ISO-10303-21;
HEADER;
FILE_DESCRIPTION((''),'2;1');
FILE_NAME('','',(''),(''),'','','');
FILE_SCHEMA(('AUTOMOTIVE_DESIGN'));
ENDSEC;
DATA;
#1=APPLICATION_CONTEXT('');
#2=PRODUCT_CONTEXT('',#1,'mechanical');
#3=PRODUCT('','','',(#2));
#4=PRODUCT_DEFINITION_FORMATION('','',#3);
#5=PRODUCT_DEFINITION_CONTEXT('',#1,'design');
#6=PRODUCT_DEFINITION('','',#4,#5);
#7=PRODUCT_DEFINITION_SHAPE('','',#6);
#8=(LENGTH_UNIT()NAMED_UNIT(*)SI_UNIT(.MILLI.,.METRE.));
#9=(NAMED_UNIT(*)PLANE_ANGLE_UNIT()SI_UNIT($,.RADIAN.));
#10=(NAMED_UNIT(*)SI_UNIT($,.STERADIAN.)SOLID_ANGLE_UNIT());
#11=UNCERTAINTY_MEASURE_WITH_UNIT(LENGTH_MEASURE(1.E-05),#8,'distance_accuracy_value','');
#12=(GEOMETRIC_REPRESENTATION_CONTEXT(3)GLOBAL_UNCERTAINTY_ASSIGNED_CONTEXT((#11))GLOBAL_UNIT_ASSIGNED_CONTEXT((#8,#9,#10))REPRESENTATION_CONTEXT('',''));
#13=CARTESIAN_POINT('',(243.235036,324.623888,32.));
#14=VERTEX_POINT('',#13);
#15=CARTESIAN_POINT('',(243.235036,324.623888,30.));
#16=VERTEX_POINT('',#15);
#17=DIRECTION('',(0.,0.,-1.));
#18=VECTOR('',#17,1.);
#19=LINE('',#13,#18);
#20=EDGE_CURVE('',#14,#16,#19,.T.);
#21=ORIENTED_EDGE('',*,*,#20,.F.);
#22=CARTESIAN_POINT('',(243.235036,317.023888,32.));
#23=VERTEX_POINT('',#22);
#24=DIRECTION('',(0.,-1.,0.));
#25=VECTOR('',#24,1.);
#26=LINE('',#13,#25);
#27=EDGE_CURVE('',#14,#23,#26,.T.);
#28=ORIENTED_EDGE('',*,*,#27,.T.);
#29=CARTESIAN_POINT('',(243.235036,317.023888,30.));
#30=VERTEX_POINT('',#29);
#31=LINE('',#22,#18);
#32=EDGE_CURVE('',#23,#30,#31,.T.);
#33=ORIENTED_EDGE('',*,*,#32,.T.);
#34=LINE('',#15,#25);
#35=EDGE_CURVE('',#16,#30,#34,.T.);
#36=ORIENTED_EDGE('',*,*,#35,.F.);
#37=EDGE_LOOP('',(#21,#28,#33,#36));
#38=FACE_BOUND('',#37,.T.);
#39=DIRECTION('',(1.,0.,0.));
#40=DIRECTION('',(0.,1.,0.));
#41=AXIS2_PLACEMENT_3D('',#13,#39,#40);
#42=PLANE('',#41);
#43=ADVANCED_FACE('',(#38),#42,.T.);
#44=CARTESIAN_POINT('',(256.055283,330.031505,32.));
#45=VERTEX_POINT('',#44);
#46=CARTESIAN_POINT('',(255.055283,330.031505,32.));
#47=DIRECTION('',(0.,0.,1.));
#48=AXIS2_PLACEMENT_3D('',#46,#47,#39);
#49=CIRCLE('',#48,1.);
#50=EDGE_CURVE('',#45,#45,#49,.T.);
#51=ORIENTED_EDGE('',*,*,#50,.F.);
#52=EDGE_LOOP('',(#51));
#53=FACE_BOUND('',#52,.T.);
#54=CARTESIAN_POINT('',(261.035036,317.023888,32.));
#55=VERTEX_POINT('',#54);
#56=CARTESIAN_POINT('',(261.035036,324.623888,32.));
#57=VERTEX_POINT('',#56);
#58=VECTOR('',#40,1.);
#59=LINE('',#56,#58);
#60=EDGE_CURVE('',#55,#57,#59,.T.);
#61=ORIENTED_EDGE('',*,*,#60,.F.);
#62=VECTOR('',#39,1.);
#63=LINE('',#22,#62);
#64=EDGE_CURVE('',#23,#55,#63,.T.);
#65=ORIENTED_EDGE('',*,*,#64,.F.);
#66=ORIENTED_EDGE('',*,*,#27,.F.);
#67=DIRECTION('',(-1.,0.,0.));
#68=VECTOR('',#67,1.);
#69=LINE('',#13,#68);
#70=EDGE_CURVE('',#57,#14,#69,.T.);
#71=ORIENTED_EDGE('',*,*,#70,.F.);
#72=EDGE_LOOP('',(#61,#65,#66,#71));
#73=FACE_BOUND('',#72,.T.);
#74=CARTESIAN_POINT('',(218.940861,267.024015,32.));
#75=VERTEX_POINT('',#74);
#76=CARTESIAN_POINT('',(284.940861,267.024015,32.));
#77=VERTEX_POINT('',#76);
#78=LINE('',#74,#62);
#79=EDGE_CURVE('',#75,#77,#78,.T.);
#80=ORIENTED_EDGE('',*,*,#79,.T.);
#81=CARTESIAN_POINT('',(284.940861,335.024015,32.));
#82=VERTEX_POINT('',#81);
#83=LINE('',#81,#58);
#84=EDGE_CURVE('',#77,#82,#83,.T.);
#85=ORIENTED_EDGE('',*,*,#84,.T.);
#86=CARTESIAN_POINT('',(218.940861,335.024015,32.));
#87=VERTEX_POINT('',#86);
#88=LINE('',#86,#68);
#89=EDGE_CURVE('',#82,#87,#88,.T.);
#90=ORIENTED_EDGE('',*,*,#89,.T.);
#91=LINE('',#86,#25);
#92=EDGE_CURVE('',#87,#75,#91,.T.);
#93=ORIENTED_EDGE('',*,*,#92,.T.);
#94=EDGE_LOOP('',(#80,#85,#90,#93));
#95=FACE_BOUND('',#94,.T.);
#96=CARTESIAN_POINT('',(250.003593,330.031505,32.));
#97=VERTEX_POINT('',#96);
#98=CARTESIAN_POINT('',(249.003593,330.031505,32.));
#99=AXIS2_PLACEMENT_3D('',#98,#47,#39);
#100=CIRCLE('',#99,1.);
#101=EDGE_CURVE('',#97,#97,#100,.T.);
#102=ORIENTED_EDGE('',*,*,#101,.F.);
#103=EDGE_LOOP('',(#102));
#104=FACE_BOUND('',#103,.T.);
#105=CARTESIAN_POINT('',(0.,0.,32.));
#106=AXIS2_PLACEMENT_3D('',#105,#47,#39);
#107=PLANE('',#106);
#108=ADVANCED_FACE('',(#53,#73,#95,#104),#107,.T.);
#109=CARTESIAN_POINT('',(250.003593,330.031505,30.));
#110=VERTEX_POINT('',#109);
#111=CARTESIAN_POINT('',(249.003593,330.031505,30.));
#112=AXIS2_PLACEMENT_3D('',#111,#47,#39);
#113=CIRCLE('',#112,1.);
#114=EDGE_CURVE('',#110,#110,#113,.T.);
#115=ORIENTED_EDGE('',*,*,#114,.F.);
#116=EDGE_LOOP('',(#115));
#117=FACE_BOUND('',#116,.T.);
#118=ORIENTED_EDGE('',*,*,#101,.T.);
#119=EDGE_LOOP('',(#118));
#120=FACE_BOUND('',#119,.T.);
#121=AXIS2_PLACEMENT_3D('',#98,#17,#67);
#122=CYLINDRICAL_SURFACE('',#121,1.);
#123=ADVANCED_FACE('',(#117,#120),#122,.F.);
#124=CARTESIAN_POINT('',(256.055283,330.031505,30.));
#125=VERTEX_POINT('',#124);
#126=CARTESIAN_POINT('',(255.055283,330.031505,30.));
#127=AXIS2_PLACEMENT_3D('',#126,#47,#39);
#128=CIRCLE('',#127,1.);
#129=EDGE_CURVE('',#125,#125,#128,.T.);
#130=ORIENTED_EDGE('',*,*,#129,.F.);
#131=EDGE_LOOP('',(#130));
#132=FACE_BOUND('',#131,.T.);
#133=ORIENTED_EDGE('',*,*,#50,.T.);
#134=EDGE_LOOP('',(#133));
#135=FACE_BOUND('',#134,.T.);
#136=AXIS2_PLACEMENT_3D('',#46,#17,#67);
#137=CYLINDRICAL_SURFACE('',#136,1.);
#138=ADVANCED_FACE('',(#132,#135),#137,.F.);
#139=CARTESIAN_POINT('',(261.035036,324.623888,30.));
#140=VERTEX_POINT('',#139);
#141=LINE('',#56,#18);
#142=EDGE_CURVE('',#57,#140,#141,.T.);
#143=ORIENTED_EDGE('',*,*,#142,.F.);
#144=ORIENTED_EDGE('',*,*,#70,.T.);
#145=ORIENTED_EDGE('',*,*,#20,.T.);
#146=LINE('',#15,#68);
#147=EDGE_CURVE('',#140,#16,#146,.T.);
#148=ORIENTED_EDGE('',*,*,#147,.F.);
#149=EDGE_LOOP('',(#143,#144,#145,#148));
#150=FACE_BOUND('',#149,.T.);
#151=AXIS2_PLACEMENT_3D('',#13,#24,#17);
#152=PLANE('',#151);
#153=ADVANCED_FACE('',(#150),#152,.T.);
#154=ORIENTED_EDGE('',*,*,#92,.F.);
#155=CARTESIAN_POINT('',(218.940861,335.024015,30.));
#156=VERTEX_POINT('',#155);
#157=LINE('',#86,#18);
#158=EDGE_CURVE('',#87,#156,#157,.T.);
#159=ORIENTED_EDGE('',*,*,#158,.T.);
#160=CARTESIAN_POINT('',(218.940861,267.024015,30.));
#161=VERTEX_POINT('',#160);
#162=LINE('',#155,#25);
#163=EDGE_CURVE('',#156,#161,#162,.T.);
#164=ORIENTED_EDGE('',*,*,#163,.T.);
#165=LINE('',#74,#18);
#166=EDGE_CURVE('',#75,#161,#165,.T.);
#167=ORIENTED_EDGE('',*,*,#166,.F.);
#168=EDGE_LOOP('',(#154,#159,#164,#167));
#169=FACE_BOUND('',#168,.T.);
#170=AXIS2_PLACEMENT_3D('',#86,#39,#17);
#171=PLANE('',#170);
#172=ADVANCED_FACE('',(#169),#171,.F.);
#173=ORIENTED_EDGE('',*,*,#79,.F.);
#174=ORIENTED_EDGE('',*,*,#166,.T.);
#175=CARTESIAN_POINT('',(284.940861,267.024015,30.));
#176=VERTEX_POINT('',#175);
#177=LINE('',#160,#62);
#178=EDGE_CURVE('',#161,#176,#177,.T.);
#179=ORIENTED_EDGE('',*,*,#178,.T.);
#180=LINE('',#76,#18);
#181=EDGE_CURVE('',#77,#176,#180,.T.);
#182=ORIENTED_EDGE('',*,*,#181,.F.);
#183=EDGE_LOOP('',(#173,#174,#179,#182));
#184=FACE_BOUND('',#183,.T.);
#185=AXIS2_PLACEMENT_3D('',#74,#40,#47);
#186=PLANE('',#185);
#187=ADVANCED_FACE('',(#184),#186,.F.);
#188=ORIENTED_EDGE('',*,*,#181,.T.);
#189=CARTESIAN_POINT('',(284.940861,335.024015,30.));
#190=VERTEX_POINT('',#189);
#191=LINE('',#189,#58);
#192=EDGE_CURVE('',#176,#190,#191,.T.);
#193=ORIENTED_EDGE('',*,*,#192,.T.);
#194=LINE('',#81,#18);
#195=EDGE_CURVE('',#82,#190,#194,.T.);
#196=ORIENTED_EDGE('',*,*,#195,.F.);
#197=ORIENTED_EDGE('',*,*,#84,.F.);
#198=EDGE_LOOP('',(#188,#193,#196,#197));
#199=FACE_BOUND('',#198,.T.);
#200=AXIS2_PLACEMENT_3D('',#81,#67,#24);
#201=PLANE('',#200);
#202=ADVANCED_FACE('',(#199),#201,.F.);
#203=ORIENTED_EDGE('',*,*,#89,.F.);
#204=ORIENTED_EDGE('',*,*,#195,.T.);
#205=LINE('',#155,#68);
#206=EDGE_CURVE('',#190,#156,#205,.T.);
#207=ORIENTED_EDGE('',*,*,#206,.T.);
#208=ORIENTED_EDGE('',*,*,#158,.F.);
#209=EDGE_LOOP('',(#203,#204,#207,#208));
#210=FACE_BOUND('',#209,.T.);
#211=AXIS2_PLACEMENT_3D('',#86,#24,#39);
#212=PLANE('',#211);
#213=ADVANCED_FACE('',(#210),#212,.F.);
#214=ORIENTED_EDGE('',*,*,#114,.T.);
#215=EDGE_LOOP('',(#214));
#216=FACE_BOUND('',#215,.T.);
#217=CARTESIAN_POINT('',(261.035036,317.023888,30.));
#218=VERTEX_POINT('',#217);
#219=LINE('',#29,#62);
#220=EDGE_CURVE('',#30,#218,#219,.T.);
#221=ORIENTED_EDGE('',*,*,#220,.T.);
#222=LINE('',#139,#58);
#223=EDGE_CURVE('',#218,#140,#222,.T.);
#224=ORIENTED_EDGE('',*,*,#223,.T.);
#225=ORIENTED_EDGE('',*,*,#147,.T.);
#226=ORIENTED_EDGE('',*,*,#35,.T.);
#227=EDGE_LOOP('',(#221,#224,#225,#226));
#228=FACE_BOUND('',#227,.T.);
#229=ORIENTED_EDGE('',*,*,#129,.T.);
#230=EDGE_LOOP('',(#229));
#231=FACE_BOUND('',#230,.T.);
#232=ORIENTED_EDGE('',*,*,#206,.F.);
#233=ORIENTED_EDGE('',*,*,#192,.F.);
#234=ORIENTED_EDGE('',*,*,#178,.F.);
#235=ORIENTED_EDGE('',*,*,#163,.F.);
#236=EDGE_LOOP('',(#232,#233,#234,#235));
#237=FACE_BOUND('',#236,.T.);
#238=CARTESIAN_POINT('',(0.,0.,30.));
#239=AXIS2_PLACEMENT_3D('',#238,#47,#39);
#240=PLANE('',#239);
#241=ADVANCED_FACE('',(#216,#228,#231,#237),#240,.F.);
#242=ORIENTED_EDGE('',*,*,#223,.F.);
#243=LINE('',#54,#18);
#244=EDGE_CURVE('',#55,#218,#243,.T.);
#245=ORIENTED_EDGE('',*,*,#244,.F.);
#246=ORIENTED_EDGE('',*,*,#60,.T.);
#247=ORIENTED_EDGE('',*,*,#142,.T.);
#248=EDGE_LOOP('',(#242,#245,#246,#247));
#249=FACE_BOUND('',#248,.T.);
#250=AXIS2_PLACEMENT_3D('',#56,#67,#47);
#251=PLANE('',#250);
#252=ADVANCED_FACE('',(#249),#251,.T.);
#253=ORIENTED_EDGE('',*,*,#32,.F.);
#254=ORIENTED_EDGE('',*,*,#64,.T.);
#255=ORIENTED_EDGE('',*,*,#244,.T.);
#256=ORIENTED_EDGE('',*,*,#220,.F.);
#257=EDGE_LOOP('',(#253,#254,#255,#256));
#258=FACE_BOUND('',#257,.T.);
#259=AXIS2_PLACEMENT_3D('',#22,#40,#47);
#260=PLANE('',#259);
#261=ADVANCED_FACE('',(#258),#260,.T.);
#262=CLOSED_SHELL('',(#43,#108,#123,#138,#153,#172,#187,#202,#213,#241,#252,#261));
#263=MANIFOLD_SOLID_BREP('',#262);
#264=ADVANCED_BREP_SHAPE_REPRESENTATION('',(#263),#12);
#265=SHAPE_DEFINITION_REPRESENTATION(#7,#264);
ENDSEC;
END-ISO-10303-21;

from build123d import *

# Parameters (mm, degrees)
SKETCH1_W           = 66
SKETCH1_H           = 68
SKETCH1_R           = 1
SKETCH1_W_2         = 17.8
SKETCH1_H_2         = 7.6
BOSS_EXTRUDE1_DEPTH = 2


with BuildPart() as part:
    # Sketch1 → Boss-Extrude1 (new body)
    with BuildSketch(Plane.XY.offset(30)):
        with Locations((251.940861289, 301.024014524)):
            Rectangle(SKETCH1_W, SKETCH1_H)
        with Locations((249.003592831, 330.031505481)):
            Circle(SKETCH1_R, mode=Mode.SUBTRACT)
        with Locations((255.055282531, 330.031505481)):
            Circle(SKETCH1_R, mode=Mode.SUBTRACT)
        with Locations((252.135035756, 320.823888471)):
            Rectangle(SKETCH1_W_2, SKETCH1_H_2, mode=Mode.SUBTRACT)
    extrude(amount=BOSS_EXTRUDE1_DEPTH)


solid = part.part
